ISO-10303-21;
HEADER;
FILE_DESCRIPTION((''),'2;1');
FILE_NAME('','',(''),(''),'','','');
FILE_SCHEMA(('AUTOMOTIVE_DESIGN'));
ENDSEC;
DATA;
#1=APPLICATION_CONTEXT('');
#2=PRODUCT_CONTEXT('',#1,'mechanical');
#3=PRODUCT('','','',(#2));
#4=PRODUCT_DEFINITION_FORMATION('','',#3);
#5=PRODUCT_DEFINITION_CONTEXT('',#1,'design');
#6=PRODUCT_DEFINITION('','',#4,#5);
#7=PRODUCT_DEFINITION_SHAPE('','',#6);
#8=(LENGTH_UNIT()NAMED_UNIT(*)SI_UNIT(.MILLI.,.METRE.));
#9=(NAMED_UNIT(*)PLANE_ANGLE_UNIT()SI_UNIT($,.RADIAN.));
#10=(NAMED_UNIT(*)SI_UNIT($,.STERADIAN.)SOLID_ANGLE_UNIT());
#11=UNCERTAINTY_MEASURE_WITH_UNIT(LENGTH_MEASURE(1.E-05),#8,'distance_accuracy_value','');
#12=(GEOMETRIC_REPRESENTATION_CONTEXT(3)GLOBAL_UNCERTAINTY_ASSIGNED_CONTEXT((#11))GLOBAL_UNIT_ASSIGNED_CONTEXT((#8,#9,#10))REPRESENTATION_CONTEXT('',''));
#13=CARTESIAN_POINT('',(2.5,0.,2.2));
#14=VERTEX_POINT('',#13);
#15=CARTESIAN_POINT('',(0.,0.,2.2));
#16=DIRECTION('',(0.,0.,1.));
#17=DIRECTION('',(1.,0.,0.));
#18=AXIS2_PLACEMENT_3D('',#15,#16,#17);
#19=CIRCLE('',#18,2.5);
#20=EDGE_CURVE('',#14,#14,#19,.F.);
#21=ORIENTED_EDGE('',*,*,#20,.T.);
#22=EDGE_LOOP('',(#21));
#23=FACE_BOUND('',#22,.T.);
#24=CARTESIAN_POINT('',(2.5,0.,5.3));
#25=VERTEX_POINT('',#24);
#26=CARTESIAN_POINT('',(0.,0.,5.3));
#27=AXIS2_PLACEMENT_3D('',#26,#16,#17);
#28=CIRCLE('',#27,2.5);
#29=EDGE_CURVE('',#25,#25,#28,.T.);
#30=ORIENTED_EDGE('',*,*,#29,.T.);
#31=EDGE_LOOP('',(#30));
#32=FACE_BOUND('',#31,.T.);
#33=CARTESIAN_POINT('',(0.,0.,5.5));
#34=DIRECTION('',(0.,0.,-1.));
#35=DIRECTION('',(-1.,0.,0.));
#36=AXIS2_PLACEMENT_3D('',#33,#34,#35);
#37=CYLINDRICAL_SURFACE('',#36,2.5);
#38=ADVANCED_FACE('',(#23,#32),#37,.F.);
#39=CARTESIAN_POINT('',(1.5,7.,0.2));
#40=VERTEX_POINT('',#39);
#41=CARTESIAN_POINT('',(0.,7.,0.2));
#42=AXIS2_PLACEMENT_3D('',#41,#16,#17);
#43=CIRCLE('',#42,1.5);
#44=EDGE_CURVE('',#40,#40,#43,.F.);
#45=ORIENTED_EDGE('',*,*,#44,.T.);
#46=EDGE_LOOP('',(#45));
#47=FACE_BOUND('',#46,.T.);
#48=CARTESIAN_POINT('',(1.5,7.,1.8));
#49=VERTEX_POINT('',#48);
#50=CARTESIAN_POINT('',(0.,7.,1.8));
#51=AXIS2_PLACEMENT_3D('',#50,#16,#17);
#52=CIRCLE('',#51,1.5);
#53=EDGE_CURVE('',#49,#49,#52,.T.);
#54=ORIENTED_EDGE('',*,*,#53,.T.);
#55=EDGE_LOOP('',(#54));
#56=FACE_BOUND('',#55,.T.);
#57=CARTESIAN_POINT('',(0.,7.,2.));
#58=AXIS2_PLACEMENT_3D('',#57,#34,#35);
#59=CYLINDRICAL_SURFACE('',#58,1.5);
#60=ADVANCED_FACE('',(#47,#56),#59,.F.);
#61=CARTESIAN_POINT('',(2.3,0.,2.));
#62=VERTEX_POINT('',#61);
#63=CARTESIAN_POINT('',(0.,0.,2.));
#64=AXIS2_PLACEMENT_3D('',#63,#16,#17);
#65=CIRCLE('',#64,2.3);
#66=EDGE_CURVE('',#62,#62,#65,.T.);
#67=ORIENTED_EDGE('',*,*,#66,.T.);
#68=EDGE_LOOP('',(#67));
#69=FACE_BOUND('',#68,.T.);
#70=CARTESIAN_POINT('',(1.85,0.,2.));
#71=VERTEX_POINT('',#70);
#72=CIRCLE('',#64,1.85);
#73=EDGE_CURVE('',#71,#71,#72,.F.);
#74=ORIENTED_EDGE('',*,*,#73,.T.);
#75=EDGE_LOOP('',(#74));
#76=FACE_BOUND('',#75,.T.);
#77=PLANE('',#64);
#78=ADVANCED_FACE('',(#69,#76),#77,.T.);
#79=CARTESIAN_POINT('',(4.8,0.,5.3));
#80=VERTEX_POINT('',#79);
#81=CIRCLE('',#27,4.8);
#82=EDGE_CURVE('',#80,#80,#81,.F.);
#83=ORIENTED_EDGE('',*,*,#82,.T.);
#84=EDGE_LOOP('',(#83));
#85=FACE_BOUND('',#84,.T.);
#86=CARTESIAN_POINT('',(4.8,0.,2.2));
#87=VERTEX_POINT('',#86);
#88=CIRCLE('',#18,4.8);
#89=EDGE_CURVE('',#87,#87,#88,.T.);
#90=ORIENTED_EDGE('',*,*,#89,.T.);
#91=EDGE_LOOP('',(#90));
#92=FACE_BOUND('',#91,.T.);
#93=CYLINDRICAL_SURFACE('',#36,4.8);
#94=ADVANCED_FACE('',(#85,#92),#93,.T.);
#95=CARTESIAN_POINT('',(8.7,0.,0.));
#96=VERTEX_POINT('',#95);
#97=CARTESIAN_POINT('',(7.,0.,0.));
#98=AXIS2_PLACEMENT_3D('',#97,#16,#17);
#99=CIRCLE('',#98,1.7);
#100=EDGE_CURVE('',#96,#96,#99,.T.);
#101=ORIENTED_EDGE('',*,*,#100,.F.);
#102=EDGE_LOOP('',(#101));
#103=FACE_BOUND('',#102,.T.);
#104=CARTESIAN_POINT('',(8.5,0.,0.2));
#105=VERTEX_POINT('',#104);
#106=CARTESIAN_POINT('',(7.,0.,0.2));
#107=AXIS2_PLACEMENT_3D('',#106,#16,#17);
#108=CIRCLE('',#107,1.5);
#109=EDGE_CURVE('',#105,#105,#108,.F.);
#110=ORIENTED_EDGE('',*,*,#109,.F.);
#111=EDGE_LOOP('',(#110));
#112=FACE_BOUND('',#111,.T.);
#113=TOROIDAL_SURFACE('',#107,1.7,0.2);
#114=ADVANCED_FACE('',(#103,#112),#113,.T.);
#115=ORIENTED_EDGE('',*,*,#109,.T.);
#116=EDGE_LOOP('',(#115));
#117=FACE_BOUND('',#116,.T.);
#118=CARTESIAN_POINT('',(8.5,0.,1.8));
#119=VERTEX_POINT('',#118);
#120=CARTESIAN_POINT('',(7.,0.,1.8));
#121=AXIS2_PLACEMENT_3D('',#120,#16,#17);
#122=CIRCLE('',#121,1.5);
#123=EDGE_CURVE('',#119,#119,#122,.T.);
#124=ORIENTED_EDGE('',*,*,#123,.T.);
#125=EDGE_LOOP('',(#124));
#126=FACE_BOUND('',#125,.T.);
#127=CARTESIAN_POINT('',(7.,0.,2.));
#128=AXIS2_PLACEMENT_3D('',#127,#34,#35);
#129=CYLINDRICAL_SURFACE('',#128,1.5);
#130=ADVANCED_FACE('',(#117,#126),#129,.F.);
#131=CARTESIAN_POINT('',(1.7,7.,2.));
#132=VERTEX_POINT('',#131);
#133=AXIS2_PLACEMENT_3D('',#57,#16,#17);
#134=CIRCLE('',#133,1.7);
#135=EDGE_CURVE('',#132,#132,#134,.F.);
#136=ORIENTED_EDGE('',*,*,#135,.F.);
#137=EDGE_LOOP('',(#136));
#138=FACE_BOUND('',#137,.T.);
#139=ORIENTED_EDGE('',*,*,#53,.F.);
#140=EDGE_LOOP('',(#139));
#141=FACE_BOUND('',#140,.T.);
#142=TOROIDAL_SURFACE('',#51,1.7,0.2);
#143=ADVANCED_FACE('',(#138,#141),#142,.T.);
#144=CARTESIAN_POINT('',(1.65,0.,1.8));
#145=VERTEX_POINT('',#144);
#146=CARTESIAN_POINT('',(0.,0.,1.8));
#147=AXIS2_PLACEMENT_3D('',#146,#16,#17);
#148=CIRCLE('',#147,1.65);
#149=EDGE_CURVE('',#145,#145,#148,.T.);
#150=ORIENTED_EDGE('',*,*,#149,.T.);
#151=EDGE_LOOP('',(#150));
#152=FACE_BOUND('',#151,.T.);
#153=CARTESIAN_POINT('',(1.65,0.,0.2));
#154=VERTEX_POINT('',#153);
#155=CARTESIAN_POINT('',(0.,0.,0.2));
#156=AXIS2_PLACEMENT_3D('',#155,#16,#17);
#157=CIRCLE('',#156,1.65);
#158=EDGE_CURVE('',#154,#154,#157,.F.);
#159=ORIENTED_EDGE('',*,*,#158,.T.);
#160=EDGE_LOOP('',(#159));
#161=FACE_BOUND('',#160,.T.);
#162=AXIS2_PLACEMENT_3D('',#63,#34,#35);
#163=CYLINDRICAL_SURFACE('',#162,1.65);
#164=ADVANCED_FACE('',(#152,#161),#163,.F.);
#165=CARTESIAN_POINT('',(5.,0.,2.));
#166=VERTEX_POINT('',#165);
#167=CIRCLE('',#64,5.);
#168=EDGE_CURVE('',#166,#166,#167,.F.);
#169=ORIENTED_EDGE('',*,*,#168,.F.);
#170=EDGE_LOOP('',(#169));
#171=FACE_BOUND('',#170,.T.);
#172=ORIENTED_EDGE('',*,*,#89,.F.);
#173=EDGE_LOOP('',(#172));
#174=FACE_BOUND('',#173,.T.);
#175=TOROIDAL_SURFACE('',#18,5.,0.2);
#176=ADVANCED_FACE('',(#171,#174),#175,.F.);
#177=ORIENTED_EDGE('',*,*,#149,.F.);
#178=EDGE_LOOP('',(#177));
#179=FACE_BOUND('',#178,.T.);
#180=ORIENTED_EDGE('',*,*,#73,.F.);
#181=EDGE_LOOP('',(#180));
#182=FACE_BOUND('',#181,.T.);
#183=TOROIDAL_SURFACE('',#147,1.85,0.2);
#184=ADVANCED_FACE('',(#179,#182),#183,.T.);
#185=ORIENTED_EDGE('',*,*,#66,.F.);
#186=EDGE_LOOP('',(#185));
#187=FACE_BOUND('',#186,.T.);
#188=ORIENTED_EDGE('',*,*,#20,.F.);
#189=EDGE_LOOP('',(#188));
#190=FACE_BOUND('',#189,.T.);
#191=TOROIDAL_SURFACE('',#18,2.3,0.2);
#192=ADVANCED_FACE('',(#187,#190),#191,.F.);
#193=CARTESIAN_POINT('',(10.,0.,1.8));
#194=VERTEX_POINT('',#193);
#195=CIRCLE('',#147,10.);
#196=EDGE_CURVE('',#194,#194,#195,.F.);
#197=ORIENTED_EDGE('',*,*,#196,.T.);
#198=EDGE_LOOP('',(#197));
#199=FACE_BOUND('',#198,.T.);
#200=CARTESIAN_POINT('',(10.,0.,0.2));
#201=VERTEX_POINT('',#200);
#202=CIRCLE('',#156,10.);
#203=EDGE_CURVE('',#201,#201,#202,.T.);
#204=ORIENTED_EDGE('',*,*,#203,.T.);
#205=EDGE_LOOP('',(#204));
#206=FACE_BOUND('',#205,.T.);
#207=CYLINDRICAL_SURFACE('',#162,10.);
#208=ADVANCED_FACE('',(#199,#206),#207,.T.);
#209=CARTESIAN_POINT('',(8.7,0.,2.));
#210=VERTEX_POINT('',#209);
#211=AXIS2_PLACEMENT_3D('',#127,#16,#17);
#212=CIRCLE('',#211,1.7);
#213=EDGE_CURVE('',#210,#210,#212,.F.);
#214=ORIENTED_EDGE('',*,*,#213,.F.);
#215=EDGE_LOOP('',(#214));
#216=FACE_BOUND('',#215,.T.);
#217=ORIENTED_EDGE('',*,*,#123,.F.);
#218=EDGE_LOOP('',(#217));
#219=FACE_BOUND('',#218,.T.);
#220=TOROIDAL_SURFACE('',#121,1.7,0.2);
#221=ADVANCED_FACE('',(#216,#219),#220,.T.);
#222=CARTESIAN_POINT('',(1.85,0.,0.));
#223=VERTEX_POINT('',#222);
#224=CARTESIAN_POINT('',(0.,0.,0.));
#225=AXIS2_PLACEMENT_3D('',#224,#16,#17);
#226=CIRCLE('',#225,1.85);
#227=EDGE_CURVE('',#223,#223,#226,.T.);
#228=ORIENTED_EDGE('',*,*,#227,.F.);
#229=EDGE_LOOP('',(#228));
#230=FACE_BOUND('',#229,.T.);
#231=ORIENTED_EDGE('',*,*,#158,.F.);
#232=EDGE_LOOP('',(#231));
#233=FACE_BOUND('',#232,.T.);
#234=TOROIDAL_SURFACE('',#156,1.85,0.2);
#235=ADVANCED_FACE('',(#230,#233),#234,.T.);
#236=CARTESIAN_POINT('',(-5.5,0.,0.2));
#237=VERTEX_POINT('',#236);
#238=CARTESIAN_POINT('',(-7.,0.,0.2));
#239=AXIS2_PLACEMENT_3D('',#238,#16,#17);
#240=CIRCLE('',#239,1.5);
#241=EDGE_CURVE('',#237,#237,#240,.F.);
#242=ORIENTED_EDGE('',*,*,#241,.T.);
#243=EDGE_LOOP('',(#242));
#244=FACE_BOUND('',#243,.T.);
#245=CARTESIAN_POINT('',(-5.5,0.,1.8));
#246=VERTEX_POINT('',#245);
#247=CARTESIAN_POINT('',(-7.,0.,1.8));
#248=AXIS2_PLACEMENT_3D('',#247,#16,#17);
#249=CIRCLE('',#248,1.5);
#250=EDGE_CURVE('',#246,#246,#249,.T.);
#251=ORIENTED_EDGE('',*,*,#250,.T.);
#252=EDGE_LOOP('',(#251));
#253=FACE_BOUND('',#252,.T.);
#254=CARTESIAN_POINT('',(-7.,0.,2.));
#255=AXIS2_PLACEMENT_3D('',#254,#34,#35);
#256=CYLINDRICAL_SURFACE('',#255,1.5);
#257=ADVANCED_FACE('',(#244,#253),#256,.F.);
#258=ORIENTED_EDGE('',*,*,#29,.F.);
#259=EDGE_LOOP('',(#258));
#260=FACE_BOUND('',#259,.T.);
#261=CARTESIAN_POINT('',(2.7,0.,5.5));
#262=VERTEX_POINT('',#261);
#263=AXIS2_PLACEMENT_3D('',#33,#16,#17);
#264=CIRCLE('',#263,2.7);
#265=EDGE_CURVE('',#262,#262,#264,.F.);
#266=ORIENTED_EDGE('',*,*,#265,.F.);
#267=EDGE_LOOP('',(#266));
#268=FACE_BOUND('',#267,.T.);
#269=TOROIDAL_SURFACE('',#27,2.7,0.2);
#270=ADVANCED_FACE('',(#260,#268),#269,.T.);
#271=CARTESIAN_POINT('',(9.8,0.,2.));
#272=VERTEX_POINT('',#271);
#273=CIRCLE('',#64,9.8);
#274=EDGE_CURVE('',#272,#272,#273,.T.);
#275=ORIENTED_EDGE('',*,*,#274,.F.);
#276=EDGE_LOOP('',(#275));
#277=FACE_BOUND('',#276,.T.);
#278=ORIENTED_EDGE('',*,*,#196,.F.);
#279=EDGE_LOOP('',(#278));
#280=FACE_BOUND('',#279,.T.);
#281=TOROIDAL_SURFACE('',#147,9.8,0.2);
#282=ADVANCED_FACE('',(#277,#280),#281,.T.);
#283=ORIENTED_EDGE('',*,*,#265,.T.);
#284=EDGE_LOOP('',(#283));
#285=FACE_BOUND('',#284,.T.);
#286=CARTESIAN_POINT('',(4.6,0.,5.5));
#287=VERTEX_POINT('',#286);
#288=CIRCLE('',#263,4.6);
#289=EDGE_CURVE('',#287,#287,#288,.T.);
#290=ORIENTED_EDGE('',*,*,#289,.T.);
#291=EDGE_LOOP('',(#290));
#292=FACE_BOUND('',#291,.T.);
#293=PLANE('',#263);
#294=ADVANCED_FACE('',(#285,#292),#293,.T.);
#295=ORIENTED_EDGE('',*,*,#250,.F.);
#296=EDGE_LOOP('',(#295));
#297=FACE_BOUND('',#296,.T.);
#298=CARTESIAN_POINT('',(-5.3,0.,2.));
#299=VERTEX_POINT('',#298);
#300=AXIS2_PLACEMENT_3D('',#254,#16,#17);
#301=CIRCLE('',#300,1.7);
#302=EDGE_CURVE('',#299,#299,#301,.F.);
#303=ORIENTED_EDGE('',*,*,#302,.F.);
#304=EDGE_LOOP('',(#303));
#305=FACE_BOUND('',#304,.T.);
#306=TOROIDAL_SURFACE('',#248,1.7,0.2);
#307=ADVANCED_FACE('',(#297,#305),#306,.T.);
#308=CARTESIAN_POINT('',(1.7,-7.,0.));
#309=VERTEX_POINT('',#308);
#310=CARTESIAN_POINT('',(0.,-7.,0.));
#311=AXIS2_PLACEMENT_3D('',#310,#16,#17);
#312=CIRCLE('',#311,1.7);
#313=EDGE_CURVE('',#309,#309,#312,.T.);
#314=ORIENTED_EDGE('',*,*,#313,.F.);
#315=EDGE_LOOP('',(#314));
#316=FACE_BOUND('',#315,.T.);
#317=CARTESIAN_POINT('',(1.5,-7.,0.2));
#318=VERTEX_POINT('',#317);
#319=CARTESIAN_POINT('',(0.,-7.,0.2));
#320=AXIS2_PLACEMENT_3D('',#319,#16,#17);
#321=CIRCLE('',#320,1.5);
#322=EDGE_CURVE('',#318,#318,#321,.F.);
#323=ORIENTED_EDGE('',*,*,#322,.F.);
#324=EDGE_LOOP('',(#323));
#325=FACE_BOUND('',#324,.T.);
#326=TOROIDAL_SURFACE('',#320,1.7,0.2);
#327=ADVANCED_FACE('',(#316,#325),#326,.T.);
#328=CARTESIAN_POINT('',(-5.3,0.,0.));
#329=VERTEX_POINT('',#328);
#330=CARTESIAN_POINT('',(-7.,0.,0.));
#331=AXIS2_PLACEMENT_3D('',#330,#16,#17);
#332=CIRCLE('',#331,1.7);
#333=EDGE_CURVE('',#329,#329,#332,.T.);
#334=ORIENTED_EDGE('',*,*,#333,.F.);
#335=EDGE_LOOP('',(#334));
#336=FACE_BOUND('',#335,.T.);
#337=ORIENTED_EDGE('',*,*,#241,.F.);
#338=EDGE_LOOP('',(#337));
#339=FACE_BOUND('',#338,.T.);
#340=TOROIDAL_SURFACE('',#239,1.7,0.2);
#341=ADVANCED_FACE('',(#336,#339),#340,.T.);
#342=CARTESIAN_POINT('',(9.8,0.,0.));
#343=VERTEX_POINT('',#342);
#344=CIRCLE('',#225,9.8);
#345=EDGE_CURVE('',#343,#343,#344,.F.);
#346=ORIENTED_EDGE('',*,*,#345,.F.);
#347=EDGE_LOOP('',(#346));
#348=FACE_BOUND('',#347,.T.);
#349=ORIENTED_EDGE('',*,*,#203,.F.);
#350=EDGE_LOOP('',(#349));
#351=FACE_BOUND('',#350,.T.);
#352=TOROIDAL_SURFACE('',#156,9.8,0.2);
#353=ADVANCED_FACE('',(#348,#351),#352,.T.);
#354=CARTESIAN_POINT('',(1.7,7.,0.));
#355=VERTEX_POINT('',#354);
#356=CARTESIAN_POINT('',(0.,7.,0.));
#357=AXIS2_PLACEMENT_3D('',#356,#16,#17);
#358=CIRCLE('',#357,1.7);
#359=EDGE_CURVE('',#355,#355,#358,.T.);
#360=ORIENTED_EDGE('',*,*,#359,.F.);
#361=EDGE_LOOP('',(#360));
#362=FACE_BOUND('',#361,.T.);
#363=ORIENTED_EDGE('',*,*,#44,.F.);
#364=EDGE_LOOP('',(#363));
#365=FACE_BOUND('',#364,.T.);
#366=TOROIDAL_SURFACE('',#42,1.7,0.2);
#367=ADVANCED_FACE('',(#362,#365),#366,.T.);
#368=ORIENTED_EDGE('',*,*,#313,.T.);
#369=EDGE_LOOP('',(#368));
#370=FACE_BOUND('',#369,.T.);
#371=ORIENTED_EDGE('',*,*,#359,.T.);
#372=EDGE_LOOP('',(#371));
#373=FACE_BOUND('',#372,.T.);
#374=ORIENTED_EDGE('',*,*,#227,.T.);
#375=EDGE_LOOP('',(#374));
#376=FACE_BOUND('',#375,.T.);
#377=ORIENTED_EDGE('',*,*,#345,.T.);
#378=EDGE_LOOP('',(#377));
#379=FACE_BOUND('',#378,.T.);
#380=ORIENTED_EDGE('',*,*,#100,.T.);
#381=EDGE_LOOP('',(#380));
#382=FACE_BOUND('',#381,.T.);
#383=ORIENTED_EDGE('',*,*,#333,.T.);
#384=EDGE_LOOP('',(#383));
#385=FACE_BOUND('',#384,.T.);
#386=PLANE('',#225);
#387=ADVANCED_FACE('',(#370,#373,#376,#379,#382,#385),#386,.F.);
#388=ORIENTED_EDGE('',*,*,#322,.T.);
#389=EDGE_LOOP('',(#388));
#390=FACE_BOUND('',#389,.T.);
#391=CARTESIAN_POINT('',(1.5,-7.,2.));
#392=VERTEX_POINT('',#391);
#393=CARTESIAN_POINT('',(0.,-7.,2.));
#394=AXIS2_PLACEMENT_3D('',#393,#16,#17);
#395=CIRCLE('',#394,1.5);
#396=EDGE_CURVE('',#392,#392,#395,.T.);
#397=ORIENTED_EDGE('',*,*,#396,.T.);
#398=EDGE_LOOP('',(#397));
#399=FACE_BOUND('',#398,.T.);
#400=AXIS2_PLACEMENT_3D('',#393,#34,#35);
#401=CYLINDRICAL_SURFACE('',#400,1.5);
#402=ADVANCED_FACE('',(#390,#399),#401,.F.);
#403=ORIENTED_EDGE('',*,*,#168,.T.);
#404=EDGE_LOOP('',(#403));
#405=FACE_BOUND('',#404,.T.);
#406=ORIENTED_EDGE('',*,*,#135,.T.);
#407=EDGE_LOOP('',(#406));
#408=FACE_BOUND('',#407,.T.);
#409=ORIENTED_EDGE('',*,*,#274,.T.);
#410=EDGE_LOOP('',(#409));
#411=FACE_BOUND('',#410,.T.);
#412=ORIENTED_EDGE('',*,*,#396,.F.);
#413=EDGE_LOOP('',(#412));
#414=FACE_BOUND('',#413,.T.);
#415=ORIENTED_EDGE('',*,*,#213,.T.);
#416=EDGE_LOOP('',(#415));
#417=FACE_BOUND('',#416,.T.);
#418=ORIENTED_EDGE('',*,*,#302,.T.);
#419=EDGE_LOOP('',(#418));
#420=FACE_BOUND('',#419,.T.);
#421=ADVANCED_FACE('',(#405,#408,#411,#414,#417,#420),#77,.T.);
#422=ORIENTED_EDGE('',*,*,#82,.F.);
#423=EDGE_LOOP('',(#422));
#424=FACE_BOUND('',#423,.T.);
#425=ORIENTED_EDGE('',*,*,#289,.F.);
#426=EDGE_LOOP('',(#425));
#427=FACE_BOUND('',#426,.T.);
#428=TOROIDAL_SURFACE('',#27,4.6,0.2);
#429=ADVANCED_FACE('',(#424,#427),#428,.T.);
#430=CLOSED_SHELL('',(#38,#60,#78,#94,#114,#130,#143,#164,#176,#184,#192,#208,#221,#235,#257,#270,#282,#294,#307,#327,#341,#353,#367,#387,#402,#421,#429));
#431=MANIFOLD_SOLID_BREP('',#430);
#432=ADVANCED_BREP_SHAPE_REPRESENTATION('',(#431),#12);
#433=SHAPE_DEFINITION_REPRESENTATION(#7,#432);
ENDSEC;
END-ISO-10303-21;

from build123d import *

# Parameters (mm, degrees)
SKETCH_2_R        = 10
SKETCH_2_R_2      = 1.5
SKETCH_2_R_3      = 4.8
EXTRUDE_1_DEPTH   = 2
SKETCH_2_R_4      = 2.5
SKETCH_2_R_5      = 1.65
EXTRUDE_1_2_DEPTH = 2
SKETCH_2_4_R      = 4.8
SKETCH_2_4_R_2    = 2.5
EXTRUDE_2_DEPTH   = 5.5
FILLET_1_R        = 0.2


with BuildPart() as part:
    # 草图2 → 凸台-拉伸1 (new body)
    with BuildSketch(Plane.XY):
        Circle(SKETCH_2_R)
        with Locations((-7, 0)):
            Circle(SKETCH_2_R_2, mode=Mode.SUBTRACT)
        with Locations((0, -7)):
            Circle(SKETCH_2_R_2, mode=Mode.SUBTRACT)
        Circle(SKETCH_2_R_3, mode=Mode.SUBTRACT)
        with Locations((7, 0)):
            Circle(SKETCH_2_R_2, mode=Mode.SUBTRACT)
        with Locations((0, 7)):
            Circle(SKETCH_2_R_2, mode=Mode.SUBTRACT)
    extrude(amount=EXTRUDE_1_DEPTH)



with BuildPart() as body_2:
    # 草图2 → Extrude 1 2 (new body)
    with BuildSketch(Plane.XY):
        Circle(SKETCH_2_R_4)
        Circle(SKETCH_2_R_5, mode=Mode.SUBTRACT)
    extrude(amount=EXTRUDE_1_2_DEPTH)


with BuildPart() as part_1:
    add(part.part)

    add(body_2.part)  # 凸台-拉伸2 merges body 2
    # 草图2<4> → 凸台-拉伸2 (add)
    with BuildSketch(Plane.XY):
        Circle(SKETCH_2_4_R)
        Circle(SKETCH_2_4_R_2, mode=Mode.SUBTRACT)
    extrude(amount=EXTRUDE_2_DEPTH)

    # 圆角1
    fillet_1_edges = [part_1.edges().sort_by_distance(p)[0] for p in [
        (5.5, 0, 2),
        (-8.5, 0, 2),
        (-1.5, 7, 2),
        (-10, 0, 2),
        (-4.8, 0, 2),
        (-1.65, 0, 2),
        (-2.5, 0, 2),
        (-2.5, 0, 5.5),
        (-8.5, 0, 0),
        (-1.5, 7, 0),
        (5.5, 0, 0),
        (-1.5, -7, 0),
        (-1.65, 0, 0),
        (-10, 0, 0),
        (-4.8, 0, 5.5),
    ]]
    fillet(fillet_1_edges, radius=FILLET_1_R)


solid = part_1.part
